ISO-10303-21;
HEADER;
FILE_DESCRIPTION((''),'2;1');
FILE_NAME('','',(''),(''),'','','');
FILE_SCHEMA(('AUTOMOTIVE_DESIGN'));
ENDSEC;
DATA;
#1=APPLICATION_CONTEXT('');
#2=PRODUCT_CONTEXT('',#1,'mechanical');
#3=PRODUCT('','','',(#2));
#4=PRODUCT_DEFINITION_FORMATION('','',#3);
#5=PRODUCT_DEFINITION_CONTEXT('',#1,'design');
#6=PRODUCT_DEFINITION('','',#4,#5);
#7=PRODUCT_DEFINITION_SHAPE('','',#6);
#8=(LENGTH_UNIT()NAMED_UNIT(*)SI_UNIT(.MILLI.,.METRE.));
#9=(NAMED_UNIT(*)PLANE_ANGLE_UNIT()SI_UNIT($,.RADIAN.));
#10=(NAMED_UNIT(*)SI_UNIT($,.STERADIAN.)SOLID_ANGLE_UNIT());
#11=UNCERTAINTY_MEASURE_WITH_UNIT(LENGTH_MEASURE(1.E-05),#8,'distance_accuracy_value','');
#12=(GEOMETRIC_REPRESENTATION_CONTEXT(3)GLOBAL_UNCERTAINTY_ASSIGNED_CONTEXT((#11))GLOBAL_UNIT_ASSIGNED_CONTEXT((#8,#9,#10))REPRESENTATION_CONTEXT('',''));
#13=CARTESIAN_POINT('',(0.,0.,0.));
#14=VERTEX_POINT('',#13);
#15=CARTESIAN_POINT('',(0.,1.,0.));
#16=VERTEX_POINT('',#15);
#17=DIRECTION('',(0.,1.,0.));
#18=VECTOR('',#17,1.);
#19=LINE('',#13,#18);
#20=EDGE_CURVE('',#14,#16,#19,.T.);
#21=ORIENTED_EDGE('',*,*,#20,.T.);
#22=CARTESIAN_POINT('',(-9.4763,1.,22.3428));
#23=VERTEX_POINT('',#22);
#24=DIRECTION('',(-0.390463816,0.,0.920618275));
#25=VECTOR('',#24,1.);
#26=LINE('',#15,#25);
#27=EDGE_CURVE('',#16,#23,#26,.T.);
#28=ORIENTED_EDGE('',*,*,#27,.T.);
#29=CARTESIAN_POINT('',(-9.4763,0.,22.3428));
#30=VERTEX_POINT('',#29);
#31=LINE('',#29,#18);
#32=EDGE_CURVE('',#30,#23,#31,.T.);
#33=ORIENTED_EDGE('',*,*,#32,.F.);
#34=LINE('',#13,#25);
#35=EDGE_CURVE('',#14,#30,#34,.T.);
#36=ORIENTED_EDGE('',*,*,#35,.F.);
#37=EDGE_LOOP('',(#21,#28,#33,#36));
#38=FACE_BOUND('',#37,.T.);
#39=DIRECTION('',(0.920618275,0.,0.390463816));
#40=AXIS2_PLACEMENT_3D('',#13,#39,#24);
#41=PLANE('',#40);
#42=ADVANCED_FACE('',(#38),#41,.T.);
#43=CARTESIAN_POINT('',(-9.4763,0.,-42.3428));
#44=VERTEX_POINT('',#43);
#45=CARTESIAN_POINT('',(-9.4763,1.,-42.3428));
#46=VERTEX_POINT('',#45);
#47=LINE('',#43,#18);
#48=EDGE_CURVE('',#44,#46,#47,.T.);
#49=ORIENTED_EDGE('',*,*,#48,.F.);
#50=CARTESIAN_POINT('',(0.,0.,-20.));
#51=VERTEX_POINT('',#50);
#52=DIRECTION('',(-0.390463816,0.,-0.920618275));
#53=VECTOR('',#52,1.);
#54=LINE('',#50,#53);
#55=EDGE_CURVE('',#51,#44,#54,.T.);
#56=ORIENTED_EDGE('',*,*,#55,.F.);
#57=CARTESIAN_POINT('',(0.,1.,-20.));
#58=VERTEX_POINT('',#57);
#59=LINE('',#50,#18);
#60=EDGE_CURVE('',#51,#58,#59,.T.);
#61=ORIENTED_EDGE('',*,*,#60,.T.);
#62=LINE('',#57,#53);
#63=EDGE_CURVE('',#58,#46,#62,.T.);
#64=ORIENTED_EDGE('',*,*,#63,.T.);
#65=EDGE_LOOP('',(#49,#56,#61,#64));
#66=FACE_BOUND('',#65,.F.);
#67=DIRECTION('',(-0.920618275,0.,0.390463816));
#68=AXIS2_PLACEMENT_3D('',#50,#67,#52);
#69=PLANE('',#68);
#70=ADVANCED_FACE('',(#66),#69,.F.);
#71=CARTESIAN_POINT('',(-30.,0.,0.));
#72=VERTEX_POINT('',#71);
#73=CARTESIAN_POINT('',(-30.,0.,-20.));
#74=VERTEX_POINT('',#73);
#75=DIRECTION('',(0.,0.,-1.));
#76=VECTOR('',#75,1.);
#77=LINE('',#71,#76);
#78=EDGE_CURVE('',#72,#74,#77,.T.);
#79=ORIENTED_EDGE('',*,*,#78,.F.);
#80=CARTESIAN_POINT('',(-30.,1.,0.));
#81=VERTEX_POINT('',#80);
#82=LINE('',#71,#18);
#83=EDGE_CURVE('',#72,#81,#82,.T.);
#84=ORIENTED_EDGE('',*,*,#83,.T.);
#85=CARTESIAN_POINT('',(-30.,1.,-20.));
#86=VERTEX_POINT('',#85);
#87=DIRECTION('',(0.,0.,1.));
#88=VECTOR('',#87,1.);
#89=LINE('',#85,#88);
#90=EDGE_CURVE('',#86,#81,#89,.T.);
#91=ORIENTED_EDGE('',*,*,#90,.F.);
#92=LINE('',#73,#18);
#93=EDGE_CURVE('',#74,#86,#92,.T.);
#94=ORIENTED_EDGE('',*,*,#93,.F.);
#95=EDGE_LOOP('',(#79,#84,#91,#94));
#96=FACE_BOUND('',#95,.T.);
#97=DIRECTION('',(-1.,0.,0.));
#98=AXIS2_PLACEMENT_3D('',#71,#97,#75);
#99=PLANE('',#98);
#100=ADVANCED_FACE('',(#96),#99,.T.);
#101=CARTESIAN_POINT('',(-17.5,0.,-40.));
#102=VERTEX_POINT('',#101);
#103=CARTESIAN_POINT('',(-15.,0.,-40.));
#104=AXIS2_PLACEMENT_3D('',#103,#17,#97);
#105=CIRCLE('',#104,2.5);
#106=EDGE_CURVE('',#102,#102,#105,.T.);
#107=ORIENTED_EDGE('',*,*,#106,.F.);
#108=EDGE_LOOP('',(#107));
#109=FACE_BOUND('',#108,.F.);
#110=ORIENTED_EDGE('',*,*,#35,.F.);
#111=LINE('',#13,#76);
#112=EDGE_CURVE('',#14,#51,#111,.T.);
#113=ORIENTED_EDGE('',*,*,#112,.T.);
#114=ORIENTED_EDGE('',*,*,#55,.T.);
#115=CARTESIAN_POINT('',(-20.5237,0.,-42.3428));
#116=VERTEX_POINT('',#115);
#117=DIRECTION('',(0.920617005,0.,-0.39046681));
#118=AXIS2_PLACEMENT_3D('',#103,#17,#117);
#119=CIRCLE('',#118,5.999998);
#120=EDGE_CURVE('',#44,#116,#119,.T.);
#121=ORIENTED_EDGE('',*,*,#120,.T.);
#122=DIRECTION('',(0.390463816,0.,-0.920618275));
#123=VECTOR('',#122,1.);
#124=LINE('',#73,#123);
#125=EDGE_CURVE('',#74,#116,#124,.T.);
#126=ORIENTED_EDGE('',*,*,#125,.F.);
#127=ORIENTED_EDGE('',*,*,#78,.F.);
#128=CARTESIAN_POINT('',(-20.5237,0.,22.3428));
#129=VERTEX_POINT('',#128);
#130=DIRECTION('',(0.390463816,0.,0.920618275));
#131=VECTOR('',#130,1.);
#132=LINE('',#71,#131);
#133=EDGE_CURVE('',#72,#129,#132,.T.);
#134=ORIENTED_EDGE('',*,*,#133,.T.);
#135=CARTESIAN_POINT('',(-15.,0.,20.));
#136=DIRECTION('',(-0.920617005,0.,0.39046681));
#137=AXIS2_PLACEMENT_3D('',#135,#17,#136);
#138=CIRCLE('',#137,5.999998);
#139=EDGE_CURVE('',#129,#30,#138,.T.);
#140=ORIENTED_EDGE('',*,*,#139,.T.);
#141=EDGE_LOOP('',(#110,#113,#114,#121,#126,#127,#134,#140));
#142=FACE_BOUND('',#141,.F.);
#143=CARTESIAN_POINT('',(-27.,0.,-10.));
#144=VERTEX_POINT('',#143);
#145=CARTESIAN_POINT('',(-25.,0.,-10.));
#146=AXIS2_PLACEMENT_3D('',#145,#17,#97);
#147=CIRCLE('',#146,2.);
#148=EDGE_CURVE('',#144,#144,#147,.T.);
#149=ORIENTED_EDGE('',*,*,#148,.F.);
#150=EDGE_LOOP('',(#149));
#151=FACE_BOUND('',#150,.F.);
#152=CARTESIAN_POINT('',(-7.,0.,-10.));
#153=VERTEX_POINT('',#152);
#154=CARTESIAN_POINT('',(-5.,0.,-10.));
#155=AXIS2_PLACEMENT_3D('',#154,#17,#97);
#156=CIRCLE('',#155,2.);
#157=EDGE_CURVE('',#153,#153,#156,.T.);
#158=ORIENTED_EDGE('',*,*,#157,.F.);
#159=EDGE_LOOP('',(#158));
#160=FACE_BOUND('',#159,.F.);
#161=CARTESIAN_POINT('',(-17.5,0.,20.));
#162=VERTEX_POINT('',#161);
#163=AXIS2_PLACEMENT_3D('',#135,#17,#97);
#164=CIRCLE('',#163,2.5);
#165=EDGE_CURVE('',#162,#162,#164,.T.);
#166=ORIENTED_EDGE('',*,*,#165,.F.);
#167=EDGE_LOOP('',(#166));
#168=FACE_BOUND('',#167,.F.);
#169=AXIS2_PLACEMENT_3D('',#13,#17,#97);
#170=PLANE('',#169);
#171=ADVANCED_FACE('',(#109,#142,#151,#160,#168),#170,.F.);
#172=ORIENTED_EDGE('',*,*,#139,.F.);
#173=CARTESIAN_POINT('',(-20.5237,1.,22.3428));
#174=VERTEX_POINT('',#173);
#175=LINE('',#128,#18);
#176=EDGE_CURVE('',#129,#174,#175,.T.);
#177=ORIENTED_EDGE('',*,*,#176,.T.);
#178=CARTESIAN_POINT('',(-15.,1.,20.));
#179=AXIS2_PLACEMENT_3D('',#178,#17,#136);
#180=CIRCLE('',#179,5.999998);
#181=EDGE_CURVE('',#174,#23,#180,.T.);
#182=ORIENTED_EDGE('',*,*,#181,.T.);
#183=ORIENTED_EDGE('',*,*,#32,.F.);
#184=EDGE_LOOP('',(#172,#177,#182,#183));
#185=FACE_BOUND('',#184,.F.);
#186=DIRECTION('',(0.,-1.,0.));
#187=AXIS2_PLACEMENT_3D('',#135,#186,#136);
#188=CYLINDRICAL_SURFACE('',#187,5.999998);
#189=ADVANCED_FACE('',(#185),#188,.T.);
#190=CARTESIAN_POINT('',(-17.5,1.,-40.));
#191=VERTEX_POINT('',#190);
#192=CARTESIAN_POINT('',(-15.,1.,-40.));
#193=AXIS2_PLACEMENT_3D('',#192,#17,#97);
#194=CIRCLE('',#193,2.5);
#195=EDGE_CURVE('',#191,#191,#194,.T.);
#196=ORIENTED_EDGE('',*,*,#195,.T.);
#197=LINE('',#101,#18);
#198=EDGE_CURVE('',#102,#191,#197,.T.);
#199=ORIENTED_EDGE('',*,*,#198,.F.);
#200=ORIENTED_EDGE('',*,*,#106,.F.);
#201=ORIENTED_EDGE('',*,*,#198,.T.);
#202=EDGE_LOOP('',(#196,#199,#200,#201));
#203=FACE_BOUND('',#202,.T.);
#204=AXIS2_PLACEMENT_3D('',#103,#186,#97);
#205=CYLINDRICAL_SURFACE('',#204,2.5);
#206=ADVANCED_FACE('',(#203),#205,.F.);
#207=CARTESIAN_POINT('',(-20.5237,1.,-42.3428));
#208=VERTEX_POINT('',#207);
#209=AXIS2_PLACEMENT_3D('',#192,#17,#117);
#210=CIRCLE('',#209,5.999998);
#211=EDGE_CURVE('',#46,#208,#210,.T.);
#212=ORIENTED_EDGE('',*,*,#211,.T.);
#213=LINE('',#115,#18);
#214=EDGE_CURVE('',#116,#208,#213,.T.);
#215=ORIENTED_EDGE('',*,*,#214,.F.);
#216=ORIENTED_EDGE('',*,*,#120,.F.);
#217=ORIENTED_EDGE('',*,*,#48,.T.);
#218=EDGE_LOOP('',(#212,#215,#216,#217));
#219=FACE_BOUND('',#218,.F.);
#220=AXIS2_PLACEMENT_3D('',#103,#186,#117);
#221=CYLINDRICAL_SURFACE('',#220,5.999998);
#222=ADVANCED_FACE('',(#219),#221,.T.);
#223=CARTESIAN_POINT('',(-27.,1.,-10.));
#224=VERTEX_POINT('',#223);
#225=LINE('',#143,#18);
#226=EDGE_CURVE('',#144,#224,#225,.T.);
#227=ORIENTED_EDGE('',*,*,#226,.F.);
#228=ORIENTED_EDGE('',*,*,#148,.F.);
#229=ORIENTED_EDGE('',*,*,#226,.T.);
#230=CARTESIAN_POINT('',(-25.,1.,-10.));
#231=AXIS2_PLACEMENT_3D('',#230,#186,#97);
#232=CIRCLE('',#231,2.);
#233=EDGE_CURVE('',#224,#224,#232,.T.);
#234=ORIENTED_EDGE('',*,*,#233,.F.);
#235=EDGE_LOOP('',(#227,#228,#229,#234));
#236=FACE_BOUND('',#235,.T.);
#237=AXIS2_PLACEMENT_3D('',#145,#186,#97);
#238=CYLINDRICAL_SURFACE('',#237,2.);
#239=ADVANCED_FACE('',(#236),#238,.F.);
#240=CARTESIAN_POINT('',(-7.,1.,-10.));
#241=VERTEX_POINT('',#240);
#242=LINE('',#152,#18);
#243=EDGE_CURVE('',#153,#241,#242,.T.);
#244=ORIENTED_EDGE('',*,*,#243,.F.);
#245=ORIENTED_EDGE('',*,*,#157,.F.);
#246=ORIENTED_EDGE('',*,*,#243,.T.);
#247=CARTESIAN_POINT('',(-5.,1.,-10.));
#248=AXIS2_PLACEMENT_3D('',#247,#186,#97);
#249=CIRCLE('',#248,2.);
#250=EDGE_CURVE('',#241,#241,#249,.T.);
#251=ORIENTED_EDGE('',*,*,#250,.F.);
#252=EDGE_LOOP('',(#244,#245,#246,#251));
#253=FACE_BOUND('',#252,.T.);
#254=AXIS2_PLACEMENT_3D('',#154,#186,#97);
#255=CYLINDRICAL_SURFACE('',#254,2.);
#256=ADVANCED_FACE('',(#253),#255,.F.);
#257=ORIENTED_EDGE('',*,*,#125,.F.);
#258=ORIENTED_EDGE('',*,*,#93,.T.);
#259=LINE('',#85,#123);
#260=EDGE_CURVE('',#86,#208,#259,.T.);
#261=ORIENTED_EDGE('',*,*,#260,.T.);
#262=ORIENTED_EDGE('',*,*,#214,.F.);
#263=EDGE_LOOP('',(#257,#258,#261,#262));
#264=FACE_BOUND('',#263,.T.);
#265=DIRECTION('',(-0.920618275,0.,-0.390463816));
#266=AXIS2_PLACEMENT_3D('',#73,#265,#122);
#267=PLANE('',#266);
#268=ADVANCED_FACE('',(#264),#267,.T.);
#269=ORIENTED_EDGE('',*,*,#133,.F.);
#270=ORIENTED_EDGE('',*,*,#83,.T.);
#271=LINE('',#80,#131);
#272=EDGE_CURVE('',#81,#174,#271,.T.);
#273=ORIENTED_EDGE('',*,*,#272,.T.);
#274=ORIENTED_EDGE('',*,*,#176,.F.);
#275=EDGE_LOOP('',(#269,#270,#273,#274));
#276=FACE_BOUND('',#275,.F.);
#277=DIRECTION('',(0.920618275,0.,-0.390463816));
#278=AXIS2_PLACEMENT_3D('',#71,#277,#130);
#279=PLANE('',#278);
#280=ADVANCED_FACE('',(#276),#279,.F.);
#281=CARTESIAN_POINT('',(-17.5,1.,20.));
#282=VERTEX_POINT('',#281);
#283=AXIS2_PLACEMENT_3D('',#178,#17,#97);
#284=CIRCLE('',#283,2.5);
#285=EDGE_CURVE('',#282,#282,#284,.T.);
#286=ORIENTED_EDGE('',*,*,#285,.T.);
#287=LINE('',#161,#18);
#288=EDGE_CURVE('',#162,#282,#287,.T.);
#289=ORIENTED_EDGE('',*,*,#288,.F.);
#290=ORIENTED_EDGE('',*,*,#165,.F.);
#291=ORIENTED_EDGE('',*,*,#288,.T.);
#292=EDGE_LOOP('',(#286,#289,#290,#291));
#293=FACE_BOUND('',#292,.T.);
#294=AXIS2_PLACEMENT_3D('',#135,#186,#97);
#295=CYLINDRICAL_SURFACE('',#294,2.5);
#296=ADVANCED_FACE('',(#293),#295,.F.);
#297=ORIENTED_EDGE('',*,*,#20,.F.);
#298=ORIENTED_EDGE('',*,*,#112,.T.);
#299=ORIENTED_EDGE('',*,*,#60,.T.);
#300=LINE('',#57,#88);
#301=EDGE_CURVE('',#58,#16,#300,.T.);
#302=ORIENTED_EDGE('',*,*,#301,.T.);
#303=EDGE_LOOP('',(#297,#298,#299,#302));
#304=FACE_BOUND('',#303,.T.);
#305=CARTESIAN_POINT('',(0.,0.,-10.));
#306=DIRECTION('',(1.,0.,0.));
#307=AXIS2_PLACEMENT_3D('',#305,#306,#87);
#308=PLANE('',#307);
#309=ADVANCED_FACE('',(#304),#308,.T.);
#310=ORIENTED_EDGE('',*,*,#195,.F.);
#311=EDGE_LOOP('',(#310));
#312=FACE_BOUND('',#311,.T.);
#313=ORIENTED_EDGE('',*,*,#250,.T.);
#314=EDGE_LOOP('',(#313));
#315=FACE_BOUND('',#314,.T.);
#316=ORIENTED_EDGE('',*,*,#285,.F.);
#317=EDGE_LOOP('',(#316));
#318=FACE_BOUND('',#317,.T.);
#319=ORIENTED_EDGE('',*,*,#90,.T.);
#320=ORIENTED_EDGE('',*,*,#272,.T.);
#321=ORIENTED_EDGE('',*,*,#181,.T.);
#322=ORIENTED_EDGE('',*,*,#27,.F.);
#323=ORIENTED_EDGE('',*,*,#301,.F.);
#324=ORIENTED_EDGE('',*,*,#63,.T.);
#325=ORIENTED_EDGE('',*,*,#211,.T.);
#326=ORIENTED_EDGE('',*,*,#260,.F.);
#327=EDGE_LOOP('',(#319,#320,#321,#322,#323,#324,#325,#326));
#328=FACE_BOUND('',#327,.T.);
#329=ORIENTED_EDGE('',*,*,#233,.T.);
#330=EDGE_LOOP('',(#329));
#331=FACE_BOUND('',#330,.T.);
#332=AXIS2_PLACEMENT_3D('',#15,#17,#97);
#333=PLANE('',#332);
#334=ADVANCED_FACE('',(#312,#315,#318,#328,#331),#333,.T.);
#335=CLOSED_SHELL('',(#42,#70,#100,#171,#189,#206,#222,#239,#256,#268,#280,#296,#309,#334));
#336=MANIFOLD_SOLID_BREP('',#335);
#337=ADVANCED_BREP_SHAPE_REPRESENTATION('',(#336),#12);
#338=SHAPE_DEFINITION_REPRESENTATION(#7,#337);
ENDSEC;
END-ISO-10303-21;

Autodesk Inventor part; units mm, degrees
ref_plane "YZ Plane" through (0, 0, 0) normal (1, 0, 0) x (0, 1, 0)
ref_plane "XZ Plane" through (0, 0, 0) normal (0, 1, 0) x (-1, 0, 0)
ref_plane "XY Plane" through (0, 0, 0) normal (0, 0, 1) x (1, 0, 0)
sketch "Sketch1" plane through (0, 0, 0) normal (0, 1, 0) x (-1, 0, 0)
  line L0 (0, 0) -> (30, 0)
  line L1 (30, 0) -> (30, -20)
  line L2 (30, -20) -> (0, -20)
  line L3 (0, -20) -> (0, 0)
  line L4 (30, -10) -> (0, -10)
  line L5 (15, 0) -> (15, -20)
  circle A0 centre (25, -10) radius 2
  circle A1 centre (15, -40) radius 2.5
  circle A2 centre (5, -10) radius 2
  line L6 (30, 0) -> (0, 0)
  arc A3 (9.4763, -42.3428) -> (20.5237, -42.3428) centre (15, -40) ccw
  line L7 (30, -20) -> (20.5237, -42.3428)
  line L8 (0, -20) -> (9.4763, -42.3428)
  line L9 (30, 0) -> (0, 0)
  circle A4 centre (15, 20) radius 2.5
  arc A5 (20.5237, 22.3428) -> (9.4763, 22.3428) centre (15, 20) ccw
  line L10 (30, 0) -> (20.5237, 22.3428)
  line L11 (0, 0) -> (9.4763, 22.3428)
  dimension "d0" = 20
  dimension "d1" = 30
  dimension "d2" = 5
  dimension "d3" = 4
  dimension "d5" = 20
  dimension "d6" = 5
  dimension "d11" = 12
extrude "Extrusion2" add sketch "Sketch1" along normal blind 1 contours L11 A5 L10 L0 | L0 L5 L4 A2 L3 | L0 L1 L4 A0 L5 | L4 A2 L5 L2 L3 | L4 A0 L1 L2 L5 | L2 L7 A3 L8
properties part number "Platte2"
